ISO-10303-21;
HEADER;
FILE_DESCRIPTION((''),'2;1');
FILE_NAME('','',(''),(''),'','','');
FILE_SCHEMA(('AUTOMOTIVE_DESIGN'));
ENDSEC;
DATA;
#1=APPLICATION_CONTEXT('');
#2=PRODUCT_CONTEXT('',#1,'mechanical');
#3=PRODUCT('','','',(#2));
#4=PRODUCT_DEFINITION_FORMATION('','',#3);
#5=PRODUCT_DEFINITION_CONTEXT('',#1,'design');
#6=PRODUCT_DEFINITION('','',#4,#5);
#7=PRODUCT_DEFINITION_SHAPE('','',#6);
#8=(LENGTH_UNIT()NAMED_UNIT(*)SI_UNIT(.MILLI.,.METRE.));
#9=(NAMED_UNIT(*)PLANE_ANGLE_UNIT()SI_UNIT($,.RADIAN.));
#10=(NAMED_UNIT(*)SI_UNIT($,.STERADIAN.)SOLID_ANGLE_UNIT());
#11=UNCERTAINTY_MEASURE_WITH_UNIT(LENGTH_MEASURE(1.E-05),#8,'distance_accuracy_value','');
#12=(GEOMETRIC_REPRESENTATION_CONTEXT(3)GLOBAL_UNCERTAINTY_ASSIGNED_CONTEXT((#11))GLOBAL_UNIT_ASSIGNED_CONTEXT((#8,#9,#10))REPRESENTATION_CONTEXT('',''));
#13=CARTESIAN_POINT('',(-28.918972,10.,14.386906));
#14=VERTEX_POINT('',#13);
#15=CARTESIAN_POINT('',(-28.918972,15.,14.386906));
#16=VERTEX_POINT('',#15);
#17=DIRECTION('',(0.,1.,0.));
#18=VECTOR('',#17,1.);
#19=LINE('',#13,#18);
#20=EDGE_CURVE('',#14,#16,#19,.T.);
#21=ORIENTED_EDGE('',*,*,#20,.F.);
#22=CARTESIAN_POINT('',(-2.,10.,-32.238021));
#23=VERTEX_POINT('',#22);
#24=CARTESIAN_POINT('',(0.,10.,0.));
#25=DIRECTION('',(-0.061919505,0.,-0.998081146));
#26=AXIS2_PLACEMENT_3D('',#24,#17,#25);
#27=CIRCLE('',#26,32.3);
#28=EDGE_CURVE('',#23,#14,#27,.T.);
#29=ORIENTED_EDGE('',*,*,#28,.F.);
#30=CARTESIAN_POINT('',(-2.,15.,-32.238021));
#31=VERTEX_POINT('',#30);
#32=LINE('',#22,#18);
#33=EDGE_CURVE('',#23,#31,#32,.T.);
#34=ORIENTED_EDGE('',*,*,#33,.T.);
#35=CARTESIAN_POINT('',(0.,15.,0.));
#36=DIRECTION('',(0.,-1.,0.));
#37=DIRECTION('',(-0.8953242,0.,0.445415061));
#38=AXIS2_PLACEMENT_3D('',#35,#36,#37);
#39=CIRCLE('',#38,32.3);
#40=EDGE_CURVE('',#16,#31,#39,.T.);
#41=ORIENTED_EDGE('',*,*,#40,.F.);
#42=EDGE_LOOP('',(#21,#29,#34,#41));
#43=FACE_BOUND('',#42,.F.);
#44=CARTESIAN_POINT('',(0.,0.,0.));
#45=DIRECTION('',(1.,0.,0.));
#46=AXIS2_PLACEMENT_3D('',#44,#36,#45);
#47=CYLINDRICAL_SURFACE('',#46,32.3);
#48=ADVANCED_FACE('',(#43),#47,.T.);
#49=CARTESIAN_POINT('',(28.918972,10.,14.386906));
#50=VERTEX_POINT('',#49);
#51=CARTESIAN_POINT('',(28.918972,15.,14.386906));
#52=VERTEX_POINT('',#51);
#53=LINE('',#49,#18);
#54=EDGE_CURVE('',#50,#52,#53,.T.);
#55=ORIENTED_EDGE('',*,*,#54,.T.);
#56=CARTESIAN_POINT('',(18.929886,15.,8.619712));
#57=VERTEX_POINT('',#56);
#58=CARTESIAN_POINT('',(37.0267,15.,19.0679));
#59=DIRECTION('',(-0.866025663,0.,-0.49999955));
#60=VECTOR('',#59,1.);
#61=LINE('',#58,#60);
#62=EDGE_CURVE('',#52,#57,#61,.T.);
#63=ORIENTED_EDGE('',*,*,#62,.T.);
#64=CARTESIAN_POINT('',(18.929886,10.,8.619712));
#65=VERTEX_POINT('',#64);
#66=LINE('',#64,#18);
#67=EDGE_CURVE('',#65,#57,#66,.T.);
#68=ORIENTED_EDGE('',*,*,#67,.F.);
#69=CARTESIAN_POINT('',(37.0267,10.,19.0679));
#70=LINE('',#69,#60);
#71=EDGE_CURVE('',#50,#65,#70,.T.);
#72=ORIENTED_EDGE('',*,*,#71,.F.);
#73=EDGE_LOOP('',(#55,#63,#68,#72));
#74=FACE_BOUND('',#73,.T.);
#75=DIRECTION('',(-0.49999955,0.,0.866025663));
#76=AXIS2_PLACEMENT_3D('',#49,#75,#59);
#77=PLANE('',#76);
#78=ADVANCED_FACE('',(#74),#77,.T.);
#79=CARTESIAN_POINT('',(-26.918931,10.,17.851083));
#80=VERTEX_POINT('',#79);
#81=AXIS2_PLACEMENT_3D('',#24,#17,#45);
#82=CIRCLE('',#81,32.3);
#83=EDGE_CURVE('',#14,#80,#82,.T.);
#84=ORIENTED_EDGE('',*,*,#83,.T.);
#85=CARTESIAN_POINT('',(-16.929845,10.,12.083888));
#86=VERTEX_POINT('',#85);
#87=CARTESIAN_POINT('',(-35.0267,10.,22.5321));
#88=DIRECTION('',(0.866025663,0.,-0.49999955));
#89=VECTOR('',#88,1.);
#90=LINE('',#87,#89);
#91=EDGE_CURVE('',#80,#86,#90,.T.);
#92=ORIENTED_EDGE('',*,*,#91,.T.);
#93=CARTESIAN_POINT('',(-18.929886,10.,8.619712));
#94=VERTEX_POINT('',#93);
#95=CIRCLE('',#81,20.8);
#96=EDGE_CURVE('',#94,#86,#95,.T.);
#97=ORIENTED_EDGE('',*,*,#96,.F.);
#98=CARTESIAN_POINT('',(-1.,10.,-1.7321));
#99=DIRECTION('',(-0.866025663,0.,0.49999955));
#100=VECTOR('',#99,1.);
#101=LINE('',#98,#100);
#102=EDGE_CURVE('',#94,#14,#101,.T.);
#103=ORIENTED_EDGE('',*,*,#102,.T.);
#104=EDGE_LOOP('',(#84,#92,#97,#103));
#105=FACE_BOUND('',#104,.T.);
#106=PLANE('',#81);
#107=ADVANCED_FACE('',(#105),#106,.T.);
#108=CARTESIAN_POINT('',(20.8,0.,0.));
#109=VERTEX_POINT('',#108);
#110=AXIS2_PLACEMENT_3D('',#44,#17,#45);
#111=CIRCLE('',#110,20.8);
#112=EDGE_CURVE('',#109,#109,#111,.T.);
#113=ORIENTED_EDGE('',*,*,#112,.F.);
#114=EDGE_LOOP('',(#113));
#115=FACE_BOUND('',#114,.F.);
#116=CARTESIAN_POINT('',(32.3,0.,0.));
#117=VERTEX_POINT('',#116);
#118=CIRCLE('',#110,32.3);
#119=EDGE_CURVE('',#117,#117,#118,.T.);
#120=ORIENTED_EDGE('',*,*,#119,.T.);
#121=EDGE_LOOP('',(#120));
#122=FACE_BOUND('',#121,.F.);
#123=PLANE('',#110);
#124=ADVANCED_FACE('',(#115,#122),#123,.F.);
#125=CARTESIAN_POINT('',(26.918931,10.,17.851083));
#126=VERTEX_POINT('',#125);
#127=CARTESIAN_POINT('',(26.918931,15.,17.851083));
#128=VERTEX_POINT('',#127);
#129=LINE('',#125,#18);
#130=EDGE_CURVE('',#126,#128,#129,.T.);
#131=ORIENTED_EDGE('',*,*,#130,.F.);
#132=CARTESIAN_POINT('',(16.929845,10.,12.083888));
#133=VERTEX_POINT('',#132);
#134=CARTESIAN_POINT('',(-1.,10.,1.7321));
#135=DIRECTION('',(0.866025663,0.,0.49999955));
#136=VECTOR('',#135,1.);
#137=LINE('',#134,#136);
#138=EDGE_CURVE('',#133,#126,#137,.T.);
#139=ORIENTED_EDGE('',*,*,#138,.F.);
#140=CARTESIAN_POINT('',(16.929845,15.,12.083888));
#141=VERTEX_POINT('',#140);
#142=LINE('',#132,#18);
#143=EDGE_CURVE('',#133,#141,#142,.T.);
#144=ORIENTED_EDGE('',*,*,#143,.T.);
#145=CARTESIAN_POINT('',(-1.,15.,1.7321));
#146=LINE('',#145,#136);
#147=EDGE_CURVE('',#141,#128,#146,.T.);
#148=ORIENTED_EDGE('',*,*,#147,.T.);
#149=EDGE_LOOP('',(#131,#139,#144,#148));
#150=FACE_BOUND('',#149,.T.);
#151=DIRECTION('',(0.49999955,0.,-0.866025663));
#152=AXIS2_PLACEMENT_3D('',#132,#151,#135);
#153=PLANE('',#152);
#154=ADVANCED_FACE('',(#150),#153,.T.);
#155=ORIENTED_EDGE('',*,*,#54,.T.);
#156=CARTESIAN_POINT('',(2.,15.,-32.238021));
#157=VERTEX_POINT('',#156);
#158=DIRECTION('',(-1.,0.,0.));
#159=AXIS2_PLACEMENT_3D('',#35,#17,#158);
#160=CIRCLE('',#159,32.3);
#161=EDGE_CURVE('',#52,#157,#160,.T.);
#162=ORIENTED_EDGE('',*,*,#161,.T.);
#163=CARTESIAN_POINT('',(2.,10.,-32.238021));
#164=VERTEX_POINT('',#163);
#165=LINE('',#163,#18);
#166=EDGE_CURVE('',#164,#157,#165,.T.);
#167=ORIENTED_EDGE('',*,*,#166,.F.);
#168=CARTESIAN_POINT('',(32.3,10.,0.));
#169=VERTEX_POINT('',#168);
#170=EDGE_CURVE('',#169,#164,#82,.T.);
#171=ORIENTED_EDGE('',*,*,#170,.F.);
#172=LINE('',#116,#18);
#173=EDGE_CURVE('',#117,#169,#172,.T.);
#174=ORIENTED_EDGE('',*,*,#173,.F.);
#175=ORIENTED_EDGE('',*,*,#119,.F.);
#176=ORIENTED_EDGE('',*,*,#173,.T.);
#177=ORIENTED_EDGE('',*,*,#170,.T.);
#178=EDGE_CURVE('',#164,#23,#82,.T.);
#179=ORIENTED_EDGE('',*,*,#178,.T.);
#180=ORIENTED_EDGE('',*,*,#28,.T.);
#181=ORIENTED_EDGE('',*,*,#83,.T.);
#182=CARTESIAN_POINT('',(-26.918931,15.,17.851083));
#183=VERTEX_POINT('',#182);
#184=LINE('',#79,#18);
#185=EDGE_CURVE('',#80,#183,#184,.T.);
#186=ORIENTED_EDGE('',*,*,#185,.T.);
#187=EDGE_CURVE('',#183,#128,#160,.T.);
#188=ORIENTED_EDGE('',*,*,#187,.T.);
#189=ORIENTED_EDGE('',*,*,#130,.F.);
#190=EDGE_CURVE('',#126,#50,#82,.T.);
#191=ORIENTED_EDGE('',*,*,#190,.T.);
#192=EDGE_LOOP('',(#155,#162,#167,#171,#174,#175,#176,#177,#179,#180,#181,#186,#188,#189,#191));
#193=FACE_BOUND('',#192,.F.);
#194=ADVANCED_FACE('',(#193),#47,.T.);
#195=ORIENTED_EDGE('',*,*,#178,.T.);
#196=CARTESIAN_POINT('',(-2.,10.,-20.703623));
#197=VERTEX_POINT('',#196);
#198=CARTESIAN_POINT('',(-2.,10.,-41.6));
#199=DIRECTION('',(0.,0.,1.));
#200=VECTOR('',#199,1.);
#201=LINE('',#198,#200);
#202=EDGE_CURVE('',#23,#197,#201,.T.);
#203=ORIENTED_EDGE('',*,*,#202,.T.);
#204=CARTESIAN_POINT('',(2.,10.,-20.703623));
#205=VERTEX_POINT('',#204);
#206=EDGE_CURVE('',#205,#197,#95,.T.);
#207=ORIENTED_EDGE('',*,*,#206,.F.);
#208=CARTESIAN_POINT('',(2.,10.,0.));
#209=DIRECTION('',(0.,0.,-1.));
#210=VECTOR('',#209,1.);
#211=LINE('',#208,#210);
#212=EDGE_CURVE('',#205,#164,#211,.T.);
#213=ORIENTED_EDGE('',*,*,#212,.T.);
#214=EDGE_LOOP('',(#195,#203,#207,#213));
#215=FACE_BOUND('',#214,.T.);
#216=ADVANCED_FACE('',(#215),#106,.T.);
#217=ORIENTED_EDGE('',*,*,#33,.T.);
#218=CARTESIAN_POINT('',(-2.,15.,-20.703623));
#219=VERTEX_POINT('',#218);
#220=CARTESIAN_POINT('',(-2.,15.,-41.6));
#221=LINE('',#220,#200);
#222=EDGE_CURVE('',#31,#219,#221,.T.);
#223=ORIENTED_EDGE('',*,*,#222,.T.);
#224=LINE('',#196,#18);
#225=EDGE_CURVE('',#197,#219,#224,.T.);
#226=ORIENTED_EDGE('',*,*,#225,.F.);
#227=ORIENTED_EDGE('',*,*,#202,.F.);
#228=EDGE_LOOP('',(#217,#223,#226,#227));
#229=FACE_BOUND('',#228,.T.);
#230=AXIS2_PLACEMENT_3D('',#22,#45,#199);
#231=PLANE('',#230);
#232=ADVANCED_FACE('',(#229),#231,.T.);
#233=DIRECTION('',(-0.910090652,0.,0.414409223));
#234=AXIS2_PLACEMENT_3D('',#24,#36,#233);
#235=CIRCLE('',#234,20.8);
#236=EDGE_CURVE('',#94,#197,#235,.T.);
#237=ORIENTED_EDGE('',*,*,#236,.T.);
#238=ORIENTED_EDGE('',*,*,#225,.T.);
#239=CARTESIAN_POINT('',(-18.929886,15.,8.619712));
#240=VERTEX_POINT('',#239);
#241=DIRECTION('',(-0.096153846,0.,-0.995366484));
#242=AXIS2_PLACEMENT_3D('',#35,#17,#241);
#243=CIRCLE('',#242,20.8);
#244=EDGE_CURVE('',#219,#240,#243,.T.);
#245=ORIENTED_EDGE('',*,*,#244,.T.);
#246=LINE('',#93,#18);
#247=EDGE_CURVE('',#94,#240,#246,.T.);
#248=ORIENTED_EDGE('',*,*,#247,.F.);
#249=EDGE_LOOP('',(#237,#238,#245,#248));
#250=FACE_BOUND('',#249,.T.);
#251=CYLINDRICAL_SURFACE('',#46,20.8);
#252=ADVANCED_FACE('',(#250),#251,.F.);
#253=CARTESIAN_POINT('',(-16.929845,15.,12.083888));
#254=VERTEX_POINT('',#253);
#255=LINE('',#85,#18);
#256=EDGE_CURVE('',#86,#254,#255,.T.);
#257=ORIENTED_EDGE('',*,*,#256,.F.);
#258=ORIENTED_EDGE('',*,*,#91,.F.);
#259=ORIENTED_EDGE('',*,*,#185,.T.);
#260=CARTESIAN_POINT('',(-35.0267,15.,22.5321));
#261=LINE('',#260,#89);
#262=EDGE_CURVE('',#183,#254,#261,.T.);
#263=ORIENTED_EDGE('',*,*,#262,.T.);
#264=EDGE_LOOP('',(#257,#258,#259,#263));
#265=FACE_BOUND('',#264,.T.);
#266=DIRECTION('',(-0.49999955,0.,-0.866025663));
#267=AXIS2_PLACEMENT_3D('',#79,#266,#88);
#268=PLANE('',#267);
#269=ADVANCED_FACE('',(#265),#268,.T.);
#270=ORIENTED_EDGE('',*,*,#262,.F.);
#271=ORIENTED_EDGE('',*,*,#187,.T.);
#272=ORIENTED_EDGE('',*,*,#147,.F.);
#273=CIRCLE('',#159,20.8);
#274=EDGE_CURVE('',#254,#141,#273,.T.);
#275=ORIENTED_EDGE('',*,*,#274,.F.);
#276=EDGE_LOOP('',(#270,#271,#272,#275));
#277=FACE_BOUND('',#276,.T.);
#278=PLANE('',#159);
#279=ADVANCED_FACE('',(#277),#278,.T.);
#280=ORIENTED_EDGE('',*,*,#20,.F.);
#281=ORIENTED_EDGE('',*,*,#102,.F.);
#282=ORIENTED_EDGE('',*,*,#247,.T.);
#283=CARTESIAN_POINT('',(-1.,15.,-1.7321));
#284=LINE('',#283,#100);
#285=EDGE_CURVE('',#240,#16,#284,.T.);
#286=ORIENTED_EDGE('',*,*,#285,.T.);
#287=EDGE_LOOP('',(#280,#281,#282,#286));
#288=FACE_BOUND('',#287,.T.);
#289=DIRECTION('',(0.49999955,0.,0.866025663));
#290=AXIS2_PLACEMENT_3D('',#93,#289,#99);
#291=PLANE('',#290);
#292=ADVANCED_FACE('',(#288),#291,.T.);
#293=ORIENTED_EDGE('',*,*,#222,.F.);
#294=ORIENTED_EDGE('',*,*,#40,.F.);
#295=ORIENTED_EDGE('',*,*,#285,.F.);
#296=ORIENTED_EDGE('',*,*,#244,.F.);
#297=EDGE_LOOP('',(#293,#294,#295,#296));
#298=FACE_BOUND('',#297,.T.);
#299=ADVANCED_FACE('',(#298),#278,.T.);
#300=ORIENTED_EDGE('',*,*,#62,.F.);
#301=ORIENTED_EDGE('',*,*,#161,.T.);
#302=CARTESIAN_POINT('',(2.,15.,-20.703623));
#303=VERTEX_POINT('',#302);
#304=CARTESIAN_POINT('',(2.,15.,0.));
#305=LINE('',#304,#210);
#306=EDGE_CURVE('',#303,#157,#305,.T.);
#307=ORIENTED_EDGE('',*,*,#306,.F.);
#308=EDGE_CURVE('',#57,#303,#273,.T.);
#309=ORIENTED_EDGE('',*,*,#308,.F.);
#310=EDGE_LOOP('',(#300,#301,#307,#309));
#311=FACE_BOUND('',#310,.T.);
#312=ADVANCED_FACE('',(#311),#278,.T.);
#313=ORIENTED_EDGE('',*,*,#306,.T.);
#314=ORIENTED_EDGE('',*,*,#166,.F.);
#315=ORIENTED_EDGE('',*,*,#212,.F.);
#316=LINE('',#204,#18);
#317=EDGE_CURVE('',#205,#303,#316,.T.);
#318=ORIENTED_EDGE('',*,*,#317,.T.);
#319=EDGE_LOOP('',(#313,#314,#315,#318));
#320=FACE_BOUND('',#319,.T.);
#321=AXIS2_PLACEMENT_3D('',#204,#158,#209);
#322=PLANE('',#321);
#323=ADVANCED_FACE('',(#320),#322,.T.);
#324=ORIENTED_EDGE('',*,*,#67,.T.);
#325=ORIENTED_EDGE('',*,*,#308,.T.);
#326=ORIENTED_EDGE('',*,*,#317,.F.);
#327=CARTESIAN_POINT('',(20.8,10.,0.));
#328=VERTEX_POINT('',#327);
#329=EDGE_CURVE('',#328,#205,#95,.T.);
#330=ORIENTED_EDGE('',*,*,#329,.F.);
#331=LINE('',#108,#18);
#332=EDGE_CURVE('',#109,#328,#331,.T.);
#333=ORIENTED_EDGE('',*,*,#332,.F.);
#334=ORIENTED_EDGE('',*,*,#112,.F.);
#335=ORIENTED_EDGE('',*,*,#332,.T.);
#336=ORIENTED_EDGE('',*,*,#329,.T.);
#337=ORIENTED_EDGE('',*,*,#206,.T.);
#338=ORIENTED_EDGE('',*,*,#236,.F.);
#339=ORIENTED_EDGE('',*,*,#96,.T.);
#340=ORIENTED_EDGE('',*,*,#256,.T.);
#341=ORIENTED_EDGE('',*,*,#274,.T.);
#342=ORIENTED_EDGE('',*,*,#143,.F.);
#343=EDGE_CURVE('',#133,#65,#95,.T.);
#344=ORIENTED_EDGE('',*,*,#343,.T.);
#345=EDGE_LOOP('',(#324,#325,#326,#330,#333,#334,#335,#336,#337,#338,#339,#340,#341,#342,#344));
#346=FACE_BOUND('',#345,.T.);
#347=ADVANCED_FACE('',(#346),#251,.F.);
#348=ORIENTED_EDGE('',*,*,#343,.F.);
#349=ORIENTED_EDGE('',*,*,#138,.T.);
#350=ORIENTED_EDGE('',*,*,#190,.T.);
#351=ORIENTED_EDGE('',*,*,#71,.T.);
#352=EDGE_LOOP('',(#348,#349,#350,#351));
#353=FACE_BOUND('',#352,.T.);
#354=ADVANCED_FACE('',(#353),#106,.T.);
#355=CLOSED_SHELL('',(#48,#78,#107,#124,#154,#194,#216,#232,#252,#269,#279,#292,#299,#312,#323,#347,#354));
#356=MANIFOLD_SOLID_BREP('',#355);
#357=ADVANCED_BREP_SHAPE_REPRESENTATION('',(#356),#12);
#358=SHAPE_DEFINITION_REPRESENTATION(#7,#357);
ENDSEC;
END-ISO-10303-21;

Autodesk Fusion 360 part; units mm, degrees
sketch "Sketch1" plane through (0, 0, 0) normal (0, 1, 0) x (1, 0, 0)
  circle A0 centre (0, 0) radius 20.8
  circle A1 centre (0, 0) radius 32.3
  dimension "d1" = 41.6
  dimension "d2" = 64.6
extrude "Extrude1" add sketch "Sketch1" along normal blind 10
sketch "Sketch2" plane through (0, 10, 0) normal (0, 1, 0) x (-1, 0, 0)
  circle A0 centre (0, 0) radius 20.8
  circle A1 centre (0, 0) radius 32.3
  line L0 (2, 0) -> (-2, 0)
  line L1 (-2, 0) -> (-2, -41.6)
  line L2 (-2, -41.6) -> (2, -41.6)
  line L3 (2, -41.6) -> (2, 0)
  line L4 (2, 0) -> (-2, -41.6) construction
  line L5 (-2, 0) -> (2, -41.6) construction
  line L6 (1, -1.7321) -> (37.0267, 19.0679)
  line L7 (-1, 1.7321) -> (1, -1.7321)
  line L8 (35.0267, 22.5321) -> (-1, 1.7321)
  line L9 (37.0267, 19.0679) -> (35.0267, 22.5321)
  line L10 (1, -1.7321) -> (35.0267, 22.5321) construction
  line L11 (-1, 1.7321) -> (37.0267, 19.0679) construction
  line L12 (1, 1.7321) -> (-35.0267, 22.5321)
  line L13 (-1, -1.7321) -> (1, 1.7321)
  line L14 (-37.0267, 19.0679) -> (-1, -1.7321)
  line L15 (-35.0267, 22.5321) -> (-37.0267, 19.0679)
  line L16 (1, 1.7321) -> (-37.0267, 19.0679) construction
  line L17 (-1, -1.7321) -> (-35.0267, 22.5321) construction
  point P0 (0, -20.8)
  point P1 (18.0133, 10.4)
  point P2 (-18.0133, 10.4)
  dimension "d5" = 4
  dimension "d7" = 360
extrude "Extrude2" add sketch "Sketch2" along normal blind 5 contours A0 A1 L3 L6 | A0 A1 L8 L12 | A0 A1 L1 L14
